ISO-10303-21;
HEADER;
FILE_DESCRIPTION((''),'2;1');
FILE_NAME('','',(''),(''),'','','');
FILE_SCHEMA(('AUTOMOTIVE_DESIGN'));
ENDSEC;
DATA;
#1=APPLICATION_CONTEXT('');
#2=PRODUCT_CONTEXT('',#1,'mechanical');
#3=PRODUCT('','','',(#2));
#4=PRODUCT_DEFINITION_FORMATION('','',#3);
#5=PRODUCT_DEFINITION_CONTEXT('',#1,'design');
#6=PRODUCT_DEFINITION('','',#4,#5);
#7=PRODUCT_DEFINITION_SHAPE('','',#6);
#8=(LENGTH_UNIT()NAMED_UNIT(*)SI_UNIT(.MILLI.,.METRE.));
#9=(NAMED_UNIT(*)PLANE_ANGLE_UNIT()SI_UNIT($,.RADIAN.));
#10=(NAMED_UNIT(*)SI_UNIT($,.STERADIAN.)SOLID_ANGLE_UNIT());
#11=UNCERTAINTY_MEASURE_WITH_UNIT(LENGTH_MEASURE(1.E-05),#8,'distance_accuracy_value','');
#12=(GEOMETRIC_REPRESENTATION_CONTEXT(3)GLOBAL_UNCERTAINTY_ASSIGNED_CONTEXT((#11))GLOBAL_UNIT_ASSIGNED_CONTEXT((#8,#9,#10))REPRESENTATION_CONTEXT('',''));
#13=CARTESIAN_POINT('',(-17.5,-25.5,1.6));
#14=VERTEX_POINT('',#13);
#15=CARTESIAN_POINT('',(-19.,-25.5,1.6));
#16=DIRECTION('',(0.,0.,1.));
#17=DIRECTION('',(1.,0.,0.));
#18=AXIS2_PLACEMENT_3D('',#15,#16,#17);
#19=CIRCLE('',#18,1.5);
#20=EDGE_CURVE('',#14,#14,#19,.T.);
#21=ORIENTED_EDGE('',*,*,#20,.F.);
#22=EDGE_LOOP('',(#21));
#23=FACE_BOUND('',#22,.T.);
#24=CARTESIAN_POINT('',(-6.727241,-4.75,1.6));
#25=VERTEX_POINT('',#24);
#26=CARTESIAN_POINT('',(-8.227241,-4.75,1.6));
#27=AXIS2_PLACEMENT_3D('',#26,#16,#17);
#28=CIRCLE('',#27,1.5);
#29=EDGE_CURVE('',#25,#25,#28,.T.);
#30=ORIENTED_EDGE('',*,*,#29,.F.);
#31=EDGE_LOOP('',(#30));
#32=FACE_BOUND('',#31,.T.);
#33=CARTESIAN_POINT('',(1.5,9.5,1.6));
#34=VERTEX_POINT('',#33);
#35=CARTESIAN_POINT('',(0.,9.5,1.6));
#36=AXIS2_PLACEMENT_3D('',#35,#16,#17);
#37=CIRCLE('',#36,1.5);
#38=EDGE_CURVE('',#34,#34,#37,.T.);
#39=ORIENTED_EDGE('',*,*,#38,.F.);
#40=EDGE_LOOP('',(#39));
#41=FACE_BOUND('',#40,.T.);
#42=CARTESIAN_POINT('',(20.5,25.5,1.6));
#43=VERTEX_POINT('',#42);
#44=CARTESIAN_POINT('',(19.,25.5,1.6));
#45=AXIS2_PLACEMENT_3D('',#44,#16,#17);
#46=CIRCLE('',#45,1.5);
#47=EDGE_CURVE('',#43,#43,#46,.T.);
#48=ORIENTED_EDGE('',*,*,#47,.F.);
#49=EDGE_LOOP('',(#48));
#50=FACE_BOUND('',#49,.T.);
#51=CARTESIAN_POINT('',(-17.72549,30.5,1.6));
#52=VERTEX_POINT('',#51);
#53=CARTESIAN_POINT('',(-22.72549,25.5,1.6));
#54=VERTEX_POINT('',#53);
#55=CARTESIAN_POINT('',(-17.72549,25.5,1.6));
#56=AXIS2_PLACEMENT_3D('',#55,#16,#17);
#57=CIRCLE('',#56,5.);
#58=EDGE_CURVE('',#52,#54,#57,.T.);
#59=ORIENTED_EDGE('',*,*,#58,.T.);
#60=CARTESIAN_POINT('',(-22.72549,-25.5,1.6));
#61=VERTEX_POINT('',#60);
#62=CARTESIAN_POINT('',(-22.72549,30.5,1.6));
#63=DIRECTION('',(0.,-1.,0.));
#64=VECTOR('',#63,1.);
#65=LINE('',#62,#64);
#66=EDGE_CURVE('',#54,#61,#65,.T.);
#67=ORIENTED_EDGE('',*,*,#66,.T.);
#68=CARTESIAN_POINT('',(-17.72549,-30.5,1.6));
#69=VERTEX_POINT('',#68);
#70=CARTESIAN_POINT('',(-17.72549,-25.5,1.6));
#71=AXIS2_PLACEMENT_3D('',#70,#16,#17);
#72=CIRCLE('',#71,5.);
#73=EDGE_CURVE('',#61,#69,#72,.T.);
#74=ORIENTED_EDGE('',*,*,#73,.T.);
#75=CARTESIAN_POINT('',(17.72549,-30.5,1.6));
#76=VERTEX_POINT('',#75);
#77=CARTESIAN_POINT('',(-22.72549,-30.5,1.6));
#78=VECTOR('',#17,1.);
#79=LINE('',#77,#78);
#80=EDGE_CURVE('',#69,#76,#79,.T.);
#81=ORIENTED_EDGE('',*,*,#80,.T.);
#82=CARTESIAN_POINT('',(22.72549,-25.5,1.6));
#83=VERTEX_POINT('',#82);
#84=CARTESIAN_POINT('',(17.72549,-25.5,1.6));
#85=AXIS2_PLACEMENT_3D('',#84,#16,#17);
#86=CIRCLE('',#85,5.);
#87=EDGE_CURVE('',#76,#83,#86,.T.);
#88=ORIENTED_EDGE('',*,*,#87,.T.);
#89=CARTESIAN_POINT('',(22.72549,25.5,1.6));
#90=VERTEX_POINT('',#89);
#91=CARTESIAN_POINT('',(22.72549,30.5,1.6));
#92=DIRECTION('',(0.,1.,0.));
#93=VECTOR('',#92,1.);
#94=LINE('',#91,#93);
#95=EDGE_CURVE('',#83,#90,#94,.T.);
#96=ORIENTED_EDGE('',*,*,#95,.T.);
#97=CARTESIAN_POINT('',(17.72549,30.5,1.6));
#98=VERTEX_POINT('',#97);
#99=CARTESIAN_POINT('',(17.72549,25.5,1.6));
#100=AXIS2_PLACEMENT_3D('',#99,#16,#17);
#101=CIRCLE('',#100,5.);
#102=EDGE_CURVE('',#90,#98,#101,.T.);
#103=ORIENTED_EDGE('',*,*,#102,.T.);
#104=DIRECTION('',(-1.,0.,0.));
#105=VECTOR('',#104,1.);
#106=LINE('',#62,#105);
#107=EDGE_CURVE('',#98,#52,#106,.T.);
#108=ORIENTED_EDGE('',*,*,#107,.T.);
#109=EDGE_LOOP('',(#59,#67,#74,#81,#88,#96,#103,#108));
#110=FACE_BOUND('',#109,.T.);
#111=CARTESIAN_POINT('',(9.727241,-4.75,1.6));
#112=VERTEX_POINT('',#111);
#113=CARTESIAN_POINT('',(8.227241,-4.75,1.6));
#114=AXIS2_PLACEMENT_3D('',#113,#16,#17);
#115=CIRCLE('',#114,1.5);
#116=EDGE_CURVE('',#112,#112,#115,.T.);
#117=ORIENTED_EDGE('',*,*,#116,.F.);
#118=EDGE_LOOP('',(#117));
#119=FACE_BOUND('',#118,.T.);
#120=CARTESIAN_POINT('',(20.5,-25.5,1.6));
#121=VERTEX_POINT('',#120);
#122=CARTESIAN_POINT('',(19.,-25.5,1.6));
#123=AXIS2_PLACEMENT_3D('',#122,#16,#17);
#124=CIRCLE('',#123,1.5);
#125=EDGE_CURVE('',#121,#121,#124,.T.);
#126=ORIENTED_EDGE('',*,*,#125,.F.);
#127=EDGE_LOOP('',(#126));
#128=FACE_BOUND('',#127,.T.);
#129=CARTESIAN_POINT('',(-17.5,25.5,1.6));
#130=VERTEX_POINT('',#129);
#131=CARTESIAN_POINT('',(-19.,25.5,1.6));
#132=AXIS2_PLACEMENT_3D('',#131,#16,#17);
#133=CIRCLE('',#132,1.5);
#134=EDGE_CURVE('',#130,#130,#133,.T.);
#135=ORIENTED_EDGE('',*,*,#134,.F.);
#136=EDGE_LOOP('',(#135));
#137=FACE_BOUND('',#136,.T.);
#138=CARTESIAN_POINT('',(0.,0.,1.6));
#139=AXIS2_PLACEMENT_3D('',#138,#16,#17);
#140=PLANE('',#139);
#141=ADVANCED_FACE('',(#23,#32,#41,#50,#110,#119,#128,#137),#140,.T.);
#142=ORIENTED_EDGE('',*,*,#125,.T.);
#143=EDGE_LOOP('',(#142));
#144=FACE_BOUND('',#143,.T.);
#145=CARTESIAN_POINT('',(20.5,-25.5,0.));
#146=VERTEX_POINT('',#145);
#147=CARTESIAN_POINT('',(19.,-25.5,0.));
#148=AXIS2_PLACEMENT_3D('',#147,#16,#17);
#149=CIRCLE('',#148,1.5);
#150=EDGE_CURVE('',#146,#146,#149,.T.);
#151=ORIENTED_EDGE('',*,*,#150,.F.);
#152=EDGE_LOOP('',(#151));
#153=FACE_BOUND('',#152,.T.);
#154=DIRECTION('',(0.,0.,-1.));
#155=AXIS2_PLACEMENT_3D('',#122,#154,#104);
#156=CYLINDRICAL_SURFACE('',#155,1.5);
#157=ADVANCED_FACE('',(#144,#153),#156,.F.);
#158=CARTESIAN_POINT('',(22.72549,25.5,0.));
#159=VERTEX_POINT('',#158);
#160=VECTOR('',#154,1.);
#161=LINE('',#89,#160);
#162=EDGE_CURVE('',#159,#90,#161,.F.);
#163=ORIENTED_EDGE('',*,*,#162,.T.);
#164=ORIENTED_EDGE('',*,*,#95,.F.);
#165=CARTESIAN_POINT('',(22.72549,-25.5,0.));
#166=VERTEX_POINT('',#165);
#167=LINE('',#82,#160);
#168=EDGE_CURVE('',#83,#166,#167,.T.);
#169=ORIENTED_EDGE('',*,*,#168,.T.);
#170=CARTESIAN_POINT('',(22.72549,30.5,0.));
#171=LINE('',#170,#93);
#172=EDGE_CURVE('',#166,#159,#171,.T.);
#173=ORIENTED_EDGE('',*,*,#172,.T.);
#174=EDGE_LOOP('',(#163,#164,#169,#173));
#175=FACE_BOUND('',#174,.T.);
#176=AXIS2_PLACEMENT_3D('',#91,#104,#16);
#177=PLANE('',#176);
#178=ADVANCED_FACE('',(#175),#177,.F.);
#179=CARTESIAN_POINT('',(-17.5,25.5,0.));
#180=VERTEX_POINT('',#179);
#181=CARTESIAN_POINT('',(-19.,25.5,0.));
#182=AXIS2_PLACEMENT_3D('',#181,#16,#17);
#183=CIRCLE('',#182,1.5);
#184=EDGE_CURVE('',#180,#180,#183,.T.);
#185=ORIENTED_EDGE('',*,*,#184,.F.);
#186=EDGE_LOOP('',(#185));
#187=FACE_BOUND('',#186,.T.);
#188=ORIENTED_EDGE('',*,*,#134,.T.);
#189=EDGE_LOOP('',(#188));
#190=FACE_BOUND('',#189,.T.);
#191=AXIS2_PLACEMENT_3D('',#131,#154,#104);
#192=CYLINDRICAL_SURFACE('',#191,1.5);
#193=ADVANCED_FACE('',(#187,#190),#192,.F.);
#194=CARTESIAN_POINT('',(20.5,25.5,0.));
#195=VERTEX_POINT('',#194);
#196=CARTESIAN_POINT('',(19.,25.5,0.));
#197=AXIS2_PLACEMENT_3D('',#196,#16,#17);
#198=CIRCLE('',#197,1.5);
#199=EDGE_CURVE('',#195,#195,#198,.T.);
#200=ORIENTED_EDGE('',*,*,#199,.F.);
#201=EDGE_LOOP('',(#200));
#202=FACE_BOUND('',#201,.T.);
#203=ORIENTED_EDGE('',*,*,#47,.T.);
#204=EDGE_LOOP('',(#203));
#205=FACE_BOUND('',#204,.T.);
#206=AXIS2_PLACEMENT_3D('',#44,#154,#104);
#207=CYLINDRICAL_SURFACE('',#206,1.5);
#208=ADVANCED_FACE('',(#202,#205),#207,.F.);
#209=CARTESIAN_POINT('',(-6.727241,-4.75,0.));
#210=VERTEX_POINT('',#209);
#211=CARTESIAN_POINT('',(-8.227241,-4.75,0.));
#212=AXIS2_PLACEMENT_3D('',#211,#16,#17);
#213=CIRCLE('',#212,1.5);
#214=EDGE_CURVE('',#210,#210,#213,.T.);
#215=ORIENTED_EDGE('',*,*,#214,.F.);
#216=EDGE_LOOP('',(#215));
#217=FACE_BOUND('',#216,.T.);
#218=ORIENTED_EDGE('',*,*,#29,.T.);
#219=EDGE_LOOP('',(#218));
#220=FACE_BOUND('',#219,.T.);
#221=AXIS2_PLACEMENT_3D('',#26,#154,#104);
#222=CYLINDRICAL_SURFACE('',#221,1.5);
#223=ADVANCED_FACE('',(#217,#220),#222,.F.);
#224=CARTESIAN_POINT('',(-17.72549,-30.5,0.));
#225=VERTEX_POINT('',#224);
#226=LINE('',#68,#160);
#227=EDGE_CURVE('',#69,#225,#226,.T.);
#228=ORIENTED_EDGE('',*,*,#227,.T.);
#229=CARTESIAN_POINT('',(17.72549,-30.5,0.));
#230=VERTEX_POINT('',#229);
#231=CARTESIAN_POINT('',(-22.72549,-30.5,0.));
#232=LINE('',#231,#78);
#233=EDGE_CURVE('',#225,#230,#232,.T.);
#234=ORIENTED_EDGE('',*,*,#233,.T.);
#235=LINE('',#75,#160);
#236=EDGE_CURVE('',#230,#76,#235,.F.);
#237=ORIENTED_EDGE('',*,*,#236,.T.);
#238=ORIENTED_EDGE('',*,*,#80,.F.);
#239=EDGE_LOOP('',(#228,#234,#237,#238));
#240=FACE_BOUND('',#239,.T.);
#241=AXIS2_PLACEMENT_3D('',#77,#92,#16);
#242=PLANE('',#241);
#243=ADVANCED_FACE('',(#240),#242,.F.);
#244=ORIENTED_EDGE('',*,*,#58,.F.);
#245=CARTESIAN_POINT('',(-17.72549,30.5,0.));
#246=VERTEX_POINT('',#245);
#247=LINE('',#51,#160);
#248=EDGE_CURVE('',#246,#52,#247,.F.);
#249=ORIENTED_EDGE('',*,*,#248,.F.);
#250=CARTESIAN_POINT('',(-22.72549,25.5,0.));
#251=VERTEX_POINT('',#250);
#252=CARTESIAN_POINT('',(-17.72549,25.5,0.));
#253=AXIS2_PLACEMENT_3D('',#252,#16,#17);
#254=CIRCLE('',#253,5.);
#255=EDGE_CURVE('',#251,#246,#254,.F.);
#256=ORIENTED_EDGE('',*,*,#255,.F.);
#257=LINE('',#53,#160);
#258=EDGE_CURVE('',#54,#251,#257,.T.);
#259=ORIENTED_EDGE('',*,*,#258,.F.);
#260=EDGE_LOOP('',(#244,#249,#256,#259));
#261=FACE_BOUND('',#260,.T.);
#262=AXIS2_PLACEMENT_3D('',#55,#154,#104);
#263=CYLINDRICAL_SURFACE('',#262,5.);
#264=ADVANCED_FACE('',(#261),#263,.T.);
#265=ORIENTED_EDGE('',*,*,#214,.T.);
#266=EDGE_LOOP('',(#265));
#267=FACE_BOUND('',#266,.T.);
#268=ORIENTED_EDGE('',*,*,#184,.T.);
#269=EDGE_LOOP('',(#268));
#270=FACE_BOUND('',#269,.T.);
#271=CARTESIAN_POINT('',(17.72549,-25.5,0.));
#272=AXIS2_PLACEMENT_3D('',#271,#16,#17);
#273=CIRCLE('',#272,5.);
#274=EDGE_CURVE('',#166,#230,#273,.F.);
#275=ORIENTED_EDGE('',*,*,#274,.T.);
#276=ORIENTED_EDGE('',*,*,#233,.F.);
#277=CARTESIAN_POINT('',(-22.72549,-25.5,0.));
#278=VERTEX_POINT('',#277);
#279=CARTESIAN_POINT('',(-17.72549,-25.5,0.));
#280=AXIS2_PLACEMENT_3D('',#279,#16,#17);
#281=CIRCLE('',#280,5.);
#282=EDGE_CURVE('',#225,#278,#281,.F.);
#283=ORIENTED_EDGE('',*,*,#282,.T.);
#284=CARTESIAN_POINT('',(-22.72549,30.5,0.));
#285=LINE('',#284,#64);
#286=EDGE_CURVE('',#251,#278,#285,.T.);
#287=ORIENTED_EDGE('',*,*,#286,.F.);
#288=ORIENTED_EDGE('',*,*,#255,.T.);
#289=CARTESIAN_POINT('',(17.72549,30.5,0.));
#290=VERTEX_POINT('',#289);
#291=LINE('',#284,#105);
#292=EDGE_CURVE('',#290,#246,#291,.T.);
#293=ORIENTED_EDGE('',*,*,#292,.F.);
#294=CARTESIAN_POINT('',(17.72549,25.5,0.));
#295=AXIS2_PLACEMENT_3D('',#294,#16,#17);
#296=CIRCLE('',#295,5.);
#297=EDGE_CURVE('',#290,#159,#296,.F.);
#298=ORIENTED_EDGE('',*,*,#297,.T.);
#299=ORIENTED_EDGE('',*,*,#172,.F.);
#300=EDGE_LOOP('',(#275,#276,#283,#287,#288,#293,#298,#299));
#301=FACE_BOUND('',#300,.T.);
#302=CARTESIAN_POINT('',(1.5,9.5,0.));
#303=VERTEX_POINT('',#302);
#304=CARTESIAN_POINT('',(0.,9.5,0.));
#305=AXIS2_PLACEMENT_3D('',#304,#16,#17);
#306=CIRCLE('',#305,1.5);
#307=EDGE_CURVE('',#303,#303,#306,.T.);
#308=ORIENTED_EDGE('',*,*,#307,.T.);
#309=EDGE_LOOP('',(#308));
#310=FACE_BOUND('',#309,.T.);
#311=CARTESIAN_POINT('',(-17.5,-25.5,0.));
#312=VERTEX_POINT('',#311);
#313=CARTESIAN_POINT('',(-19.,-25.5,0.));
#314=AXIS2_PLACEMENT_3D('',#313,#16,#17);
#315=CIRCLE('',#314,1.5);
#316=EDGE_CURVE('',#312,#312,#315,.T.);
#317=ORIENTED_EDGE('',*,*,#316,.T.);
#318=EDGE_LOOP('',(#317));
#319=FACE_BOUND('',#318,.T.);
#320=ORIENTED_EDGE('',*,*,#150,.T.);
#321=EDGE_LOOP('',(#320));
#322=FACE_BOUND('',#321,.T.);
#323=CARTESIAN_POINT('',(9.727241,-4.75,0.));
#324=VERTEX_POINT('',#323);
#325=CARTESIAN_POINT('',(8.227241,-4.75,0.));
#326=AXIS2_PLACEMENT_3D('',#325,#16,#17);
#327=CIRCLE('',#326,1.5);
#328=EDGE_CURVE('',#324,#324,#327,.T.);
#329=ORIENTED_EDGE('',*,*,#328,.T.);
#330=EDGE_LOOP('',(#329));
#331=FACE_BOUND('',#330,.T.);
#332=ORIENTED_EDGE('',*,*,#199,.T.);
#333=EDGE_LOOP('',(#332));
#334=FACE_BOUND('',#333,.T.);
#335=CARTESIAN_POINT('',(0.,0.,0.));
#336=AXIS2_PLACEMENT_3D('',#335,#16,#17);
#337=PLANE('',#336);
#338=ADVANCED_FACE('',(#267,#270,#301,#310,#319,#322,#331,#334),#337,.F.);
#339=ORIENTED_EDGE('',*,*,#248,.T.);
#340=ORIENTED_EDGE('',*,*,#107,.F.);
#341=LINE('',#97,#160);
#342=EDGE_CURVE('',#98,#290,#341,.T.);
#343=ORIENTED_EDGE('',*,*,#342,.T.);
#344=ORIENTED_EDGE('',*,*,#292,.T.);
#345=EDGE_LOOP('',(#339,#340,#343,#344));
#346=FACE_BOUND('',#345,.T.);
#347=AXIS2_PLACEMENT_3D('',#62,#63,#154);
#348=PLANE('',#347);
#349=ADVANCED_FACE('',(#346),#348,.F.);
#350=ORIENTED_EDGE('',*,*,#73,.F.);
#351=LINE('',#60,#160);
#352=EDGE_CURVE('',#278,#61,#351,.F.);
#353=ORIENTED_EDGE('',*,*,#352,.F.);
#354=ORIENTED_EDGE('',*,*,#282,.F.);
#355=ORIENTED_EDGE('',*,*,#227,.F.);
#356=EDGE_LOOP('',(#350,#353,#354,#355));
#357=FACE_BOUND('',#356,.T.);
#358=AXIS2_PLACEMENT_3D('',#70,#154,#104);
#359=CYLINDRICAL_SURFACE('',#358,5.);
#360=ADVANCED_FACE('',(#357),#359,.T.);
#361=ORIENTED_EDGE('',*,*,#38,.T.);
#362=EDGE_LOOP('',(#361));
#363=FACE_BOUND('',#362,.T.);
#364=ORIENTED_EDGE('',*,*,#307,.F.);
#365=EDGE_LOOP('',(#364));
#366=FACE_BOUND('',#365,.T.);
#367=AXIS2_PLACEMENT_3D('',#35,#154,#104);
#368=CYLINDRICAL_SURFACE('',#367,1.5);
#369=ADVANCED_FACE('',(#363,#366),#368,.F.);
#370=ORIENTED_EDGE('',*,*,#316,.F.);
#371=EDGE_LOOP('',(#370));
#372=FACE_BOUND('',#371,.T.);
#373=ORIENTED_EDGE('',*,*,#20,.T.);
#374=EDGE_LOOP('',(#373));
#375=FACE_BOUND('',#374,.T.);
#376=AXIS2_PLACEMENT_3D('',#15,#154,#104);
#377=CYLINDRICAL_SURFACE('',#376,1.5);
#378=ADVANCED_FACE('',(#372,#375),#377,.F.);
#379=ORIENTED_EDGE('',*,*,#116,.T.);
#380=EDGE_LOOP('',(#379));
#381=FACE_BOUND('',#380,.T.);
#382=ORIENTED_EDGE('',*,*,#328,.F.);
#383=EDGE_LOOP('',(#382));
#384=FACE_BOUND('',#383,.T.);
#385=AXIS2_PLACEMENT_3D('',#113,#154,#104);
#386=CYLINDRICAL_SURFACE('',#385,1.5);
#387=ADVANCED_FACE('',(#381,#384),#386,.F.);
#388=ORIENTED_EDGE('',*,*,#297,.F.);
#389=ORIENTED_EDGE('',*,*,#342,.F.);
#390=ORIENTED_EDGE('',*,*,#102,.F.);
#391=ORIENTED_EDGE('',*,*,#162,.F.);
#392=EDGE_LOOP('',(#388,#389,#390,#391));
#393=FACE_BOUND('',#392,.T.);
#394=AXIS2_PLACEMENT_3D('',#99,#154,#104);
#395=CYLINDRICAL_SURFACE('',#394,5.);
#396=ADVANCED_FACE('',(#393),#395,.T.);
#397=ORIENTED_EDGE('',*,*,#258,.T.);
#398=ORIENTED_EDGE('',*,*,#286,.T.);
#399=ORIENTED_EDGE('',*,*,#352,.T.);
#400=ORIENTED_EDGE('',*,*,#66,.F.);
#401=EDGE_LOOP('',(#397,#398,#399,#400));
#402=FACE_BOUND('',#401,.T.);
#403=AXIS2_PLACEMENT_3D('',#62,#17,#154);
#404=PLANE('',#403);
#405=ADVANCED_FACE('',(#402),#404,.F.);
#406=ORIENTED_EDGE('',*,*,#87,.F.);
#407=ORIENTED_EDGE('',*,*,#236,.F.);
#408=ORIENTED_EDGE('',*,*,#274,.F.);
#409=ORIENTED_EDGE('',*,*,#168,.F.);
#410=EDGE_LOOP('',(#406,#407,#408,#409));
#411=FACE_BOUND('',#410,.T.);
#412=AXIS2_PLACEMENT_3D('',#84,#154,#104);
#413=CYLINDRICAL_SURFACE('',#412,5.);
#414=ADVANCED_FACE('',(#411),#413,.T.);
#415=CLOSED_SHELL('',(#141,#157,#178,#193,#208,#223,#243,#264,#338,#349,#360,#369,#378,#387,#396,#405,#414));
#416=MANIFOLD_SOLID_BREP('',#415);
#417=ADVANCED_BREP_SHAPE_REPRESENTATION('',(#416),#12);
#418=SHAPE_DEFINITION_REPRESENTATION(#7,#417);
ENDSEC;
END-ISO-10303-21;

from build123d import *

# Parameters (mm, degrees)
SKETCH_1_W      = 45.450980392
SKETCH_1_H      = 61
SKETCH_1_R      = 1.5
EXTRUDE_1_DEPTH = 1.6
FILLET_1_R      = 5


with BuildPart() as part:
    # 草图1 → 凸台-拉伸1 (new body)
    with BuildSketch(Plane.XY):
        Rectangle(SKETCH_1_W, SKETCH_1_H)
        with Locations((19, -25.5)):
            Circle(SKETCH_1_R, mode=Mode.SUBTRACT)
        with Locations((-19, -25.5)):
            Circle(SKETCH_1_R, mode=Mode.SUBTRACT)
        with Locations((-19, 25.5)):
            Circle(SKETCH_1_R, mode=Mode.SUBTRACT)
        with Locations((19, 25.5)):
            Circle(SKETCH_1_R, mode=Mode.SUBTRACT)
        with Locations((-8.227241336, -4.75)):
            Circle(SKETCH_1_R, mode=Mode.SUBTRACT)
        with Locations((8.227241336, -4.75)):
            Circle(SKETCH_1_R, mode=Mode.SUBTRACT)
        with Locations((0, 9.5)):
            Circle(SKETCH_1_R, mode=Mode.SUBTRACT)
    extrude(amount=EXTRUDE_1_DEPTH)

    # 圆角1
    fillet_1_edges = [part.edges().sort_by_distance(p)[0] for p in [
        (22.725490196, -30.5, 0.8),
        (-22.725490196, -30.5, 0.8),
        (-22.725490196, 30.5, 0.8),
        (22.725490196, 30.5, 0.8),
    ]]
    fillet(fillet_1_edges, radius=FILLET_1_R)


solid = part.part
